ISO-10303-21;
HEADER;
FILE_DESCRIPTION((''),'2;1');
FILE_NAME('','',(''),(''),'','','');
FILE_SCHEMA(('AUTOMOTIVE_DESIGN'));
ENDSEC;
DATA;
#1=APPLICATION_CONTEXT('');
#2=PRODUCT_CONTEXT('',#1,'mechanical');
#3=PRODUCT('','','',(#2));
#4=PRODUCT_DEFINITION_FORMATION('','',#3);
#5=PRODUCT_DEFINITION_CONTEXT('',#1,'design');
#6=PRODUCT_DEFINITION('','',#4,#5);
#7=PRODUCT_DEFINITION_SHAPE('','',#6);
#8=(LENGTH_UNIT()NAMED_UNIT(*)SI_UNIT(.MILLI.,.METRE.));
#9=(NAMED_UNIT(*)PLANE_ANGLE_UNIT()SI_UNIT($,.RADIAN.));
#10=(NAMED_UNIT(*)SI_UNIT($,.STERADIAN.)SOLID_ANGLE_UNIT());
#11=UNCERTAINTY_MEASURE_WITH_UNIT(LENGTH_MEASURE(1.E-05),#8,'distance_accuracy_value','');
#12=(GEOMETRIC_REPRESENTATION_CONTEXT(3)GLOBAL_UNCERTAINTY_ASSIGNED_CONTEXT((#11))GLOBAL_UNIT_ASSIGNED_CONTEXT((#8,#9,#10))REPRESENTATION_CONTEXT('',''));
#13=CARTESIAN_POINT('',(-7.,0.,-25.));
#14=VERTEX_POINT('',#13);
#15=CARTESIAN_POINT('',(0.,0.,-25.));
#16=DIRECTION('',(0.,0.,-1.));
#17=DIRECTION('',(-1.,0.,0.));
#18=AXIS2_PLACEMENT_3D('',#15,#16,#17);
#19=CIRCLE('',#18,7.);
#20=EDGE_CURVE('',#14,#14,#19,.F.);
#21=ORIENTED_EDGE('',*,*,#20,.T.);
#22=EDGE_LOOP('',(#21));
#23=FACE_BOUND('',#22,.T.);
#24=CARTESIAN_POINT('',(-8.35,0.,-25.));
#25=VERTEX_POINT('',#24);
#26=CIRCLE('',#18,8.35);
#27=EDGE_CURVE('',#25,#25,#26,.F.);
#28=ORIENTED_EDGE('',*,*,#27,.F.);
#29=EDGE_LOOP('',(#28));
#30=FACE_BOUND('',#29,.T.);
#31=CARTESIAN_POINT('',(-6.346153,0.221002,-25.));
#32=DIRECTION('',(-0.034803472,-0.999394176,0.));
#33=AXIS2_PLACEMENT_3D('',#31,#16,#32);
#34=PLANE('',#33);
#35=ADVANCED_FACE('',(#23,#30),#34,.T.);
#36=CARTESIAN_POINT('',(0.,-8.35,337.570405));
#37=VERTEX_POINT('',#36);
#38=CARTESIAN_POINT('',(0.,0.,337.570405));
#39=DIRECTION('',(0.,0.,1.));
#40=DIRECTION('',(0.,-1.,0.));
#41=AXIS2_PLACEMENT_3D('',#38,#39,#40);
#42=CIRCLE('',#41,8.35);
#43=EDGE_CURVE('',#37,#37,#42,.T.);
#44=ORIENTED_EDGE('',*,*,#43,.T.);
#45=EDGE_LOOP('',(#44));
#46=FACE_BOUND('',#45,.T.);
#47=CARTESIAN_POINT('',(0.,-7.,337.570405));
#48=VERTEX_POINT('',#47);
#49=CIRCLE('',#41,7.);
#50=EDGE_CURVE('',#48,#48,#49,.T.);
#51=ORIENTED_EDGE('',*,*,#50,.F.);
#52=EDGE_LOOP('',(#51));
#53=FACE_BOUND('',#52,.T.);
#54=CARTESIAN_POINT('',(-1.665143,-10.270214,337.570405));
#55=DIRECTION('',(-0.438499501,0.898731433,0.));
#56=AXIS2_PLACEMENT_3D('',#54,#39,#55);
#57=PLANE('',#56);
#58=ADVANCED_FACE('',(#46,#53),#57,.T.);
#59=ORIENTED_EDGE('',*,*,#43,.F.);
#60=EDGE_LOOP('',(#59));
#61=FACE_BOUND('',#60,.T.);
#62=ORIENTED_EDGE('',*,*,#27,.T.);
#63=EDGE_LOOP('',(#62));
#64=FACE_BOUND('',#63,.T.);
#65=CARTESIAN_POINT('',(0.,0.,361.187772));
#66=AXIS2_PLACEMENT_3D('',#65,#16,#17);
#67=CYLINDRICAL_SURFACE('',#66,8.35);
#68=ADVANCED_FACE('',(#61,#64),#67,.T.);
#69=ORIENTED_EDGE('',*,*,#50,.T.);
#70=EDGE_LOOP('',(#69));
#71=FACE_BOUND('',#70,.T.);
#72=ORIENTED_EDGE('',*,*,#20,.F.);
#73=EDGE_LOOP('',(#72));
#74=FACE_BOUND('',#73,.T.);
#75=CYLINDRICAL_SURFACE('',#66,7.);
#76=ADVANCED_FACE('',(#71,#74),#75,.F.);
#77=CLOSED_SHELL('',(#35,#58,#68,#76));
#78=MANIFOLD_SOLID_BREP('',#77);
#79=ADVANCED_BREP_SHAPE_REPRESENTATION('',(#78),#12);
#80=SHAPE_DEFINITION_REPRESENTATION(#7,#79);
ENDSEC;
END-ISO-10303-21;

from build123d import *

# Parameters (mm, degrees)
SZKIC1_R                         = 8.35
SZKIC1_R_2                       = 7
DODANIE_WYCI_GNI_CIE1_DEPTH      = 337.570405
DODANIE_WYCI_GNI_CIE1_DEPTH_BACK = 25


with BuildPart() as part:
    # Szkic1 → Dodanie-wyciągnięcie1 (new body, two sides)
    with BuildSketch(Plane.XY) as dodanie_wyci_gni_cie1_sk:
        Circle(SZKIC1_R)
        Circle(SZKIC1_R_2, mode=Mode.SUBTRACT)
    extrude(amount=DODANIE_WYCI_GNI_CIE1_DEPTH)
    extrude(dodanie_wyci_gni_cie1_sk.sketch, amount=-DODANIE_WYCI_GNI_CIE1_DEPTH_BACK)


solid = part.part
